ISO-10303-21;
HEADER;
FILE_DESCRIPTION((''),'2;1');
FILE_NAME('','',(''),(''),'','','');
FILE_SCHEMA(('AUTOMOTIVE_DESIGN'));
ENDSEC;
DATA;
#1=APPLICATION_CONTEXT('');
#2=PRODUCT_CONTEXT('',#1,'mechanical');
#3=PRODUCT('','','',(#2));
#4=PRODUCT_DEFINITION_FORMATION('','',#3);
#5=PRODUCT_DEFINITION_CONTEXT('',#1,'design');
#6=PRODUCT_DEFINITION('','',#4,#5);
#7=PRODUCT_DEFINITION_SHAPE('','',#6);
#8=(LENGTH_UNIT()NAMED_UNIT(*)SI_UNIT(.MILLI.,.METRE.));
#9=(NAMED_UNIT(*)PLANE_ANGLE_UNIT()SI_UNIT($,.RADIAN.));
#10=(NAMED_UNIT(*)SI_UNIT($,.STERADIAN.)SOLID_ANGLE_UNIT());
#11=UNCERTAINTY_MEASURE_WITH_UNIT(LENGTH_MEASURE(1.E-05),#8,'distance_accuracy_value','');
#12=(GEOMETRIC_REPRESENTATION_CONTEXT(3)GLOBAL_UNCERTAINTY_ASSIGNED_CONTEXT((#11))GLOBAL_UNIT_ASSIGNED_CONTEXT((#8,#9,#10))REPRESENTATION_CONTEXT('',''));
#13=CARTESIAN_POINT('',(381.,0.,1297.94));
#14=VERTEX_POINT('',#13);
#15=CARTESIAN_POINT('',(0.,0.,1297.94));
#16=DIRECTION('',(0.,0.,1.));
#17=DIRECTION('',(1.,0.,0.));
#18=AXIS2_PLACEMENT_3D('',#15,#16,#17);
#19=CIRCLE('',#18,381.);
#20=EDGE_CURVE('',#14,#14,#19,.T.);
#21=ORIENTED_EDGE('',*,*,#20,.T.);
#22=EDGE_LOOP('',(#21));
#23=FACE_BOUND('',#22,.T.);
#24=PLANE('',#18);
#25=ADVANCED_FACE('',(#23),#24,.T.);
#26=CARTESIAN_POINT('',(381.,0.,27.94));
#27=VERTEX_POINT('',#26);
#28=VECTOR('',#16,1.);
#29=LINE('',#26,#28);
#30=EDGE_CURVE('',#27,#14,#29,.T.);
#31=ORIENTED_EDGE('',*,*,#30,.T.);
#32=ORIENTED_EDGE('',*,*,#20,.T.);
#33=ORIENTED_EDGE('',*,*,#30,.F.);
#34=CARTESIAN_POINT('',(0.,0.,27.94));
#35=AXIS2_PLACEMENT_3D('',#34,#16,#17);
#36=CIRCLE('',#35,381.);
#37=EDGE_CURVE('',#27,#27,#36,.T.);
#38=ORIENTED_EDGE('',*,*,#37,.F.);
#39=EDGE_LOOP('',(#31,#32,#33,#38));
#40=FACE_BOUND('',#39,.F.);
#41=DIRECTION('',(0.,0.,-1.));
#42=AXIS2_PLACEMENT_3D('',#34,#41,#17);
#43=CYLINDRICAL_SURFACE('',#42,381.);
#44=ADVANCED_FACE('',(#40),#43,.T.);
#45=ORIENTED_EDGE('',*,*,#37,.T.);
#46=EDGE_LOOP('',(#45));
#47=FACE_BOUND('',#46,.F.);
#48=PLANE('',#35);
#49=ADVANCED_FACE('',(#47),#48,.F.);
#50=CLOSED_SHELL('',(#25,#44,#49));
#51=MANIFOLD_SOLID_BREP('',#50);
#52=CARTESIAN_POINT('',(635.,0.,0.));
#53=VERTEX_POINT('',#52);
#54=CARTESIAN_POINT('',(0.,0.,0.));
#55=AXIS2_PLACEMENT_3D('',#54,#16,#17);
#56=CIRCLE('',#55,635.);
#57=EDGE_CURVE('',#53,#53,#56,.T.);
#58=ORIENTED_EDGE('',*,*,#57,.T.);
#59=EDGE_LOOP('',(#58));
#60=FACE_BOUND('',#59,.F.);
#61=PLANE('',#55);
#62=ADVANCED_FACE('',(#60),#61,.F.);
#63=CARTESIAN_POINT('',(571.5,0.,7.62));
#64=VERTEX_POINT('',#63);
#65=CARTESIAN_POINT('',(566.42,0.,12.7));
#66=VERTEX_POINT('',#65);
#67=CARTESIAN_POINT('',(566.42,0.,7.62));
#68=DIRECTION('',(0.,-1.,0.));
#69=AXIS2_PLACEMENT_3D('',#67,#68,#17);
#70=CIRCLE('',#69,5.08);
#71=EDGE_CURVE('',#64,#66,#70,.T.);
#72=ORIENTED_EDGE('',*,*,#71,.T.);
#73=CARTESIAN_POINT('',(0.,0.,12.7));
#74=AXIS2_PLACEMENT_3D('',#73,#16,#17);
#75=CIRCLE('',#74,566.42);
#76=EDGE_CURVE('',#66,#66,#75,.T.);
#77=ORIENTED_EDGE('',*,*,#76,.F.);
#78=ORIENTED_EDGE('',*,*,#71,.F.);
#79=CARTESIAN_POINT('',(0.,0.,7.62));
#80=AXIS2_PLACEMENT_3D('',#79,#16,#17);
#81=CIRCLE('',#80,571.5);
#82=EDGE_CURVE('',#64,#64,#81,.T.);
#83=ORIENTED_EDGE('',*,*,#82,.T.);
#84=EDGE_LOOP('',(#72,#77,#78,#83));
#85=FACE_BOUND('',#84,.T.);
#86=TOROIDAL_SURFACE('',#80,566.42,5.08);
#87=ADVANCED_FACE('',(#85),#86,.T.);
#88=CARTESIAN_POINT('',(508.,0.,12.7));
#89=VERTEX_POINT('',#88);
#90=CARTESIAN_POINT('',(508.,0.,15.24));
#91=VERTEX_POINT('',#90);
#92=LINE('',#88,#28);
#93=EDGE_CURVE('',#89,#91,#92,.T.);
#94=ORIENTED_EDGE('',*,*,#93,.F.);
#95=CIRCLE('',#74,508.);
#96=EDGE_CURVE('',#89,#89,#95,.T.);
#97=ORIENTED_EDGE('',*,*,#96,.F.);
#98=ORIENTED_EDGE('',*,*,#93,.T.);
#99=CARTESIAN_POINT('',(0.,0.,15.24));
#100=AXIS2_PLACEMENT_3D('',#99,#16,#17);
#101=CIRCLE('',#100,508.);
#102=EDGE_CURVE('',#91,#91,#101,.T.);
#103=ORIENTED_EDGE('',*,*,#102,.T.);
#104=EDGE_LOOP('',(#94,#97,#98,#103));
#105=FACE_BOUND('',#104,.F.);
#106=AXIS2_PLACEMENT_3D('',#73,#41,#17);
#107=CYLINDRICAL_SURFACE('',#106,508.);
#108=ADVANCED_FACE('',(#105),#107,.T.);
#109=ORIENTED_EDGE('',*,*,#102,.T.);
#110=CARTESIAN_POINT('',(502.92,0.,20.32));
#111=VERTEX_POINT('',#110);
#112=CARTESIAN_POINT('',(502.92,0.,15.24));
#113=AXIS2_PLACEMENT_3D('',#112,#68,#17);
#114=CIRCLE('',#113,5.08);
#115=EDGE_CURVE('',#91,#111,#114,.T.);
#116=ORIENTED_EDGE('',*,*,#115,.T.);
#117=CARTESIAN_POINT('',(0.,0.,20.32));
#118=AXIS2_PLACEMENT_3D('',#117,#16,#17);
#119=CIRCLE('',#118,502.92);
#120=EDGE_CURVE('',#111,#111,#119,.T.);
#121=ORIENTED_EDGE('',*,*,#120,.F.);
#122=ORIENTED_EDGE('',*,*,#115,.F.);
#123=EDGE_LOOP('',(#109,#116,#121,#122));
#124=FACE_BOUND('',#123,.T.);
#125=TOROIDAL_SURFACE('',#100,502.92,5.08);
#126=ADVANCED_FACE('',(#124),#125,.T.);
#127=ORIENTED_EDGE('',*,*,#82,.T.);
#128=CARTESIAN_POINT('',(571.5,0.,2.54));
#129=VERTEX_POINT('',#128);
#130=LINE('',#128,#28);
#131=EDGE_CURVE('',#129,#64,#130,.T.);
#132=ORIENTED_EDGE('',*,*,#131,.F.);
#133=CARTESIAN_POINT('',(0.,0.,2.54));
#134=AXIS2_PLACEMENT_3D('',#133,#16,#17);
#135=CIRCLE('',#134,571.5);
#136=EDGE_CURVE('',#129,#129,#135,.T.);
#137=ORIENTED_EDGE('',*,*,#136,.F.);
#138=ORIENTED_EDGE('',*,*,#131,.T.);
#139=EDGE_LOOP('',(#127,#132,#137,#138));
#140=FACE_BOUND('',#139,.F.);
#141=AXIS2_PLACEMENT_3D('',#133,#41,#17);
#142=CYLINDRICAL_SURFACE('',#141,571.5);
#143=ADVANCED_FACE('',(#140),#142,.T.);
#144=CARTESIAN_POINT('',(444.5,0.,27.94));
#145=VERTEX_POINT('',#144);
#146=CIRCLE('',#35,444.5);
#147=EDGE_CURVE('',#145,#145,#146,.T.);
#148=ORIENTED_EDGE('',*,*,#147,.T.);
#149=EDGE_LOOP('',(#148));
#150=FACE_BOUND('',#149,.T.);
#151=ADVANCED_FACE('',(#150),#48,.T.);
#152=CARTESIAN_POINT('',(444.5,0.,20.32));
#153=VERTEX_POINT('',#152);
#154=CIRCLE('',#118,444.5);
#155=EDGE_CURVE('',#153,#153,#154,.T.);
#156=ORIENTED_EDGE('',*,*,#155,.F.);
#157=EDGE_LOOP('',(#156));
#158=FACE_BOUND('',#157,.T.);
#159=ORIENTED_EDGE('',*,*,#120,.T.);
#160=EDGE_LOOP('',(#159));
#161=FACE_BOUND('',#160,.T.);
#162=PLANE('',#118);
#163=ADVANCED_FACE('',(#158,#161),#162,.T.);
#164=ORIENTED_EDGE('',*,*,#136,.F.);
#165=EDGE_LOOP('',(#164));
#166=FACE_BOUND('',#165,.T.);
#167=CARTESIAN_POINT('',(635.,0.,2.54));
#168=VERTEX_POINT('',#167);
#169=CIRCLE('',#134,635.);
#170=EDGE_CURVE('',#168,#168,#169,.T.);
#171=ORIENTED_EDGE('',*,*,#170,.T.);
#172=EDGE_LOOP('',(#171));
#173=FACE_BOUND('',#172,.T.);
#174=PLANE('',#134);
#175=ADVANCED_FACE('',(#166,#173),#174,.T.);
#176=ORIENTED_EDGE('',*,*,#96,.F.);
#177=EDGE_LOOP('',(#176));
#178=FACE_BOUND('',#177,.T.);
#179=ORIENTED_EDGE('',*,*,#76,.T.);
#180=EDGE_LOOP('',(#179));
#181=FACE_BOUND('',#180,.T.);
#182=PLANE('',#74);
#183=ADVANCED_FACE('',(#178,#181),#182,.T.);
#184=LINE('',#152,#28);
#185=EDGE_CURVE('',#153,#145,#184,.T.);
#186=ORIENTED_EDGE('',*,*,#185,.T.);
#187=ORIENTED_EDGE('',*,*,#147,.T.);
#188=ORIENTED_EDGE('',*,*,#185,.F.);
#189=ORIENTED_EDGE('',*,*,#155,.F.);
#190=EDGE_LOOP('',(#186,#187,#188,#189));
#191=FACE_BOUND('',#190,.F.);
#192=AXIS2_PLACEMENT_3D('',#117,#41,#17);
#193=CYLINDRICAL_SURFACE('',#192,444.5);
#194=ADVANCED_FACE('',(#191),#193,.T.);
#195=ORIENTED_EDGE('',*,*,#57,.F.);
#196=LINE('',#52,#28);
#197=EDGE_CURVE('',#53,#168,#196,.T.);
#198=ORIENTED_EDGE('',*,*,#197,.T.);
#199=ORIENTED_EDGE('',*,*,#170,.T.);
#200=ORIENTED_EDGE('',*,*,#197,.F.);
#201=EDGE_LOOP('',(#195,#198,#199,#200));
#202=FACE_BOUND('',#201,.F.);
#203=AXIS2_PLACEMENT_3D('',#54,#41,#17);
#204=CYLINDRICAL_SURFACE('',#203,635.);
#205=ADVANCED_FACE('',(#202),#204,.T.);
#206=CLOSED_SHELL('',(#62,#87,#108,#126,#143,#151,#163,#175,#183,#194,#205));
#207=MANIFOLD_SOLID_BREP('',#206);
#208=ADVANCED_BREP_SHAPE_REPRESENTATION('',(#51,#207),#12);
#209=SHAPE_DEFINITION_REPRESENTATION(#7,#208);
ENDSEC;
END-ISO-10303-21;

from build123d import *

# Parameters (mm, degrees)
F0_R      = 635
F1_DEPTH  = 2.54
F2_R      = 571.5
F3_DEPTH  = 10.16
F4_R      = 5.08
F5_R      = 508
F6_DEPTH  = 7.62
F7_R      = 5.08
F8_R      = 444.5
F9_DEPTH  = 7.62
F10_R     = 381
F11_DEPTH = 1270


with BuildPart() as f1:
    # F0 (on Top) → F1 (new body)
    with BuildSketch(Plane.XY):
        Circle(F0_R)
    extrude(amount=F1_DEPTH)

    # F2 (on face) → F3 (join)
    with BuildSketch(Plane.XY.offset(2.54)):
        Circle(F2_R)
    extrude(amount=F3_DEPTH)

    # F4
    f4_edges = [f1.edges().sort_by_distance(p)[0] for p in [
        (-571.5, 0, 12.7),
    ]]
    fillet(f4_edges, radius=F4_R)

    # F5 (on face) → F6 (join)
    with BuildSketch(Plane.XY.offset(12.7)):
        Circle(F5_R)
    extrude(amount=F6_DEPTH)

    # F7
    f7_edges = [f1.edges().sort_by_distance(p)[0] for p in [
        (-508, 0, 20.32),
    ]]
    fillet(f7_edges, radius=F7_R)

    # F8 (on face) → F9 (join)
    with BuildSketch(Plane.XY.offset(20.32)):
        Circle(F8_R)
    extrude(amount=F9_DEPTH)


with BuildPart() as f11:
    # F10 (on face) → F11 (new body)
    with BuildSketch(Plane.XY.offset(27.94)):
        Circle(F10_R)
    extrude(amount=F11_DEPTH)


solid = Compound([f1.part, f11.part])
